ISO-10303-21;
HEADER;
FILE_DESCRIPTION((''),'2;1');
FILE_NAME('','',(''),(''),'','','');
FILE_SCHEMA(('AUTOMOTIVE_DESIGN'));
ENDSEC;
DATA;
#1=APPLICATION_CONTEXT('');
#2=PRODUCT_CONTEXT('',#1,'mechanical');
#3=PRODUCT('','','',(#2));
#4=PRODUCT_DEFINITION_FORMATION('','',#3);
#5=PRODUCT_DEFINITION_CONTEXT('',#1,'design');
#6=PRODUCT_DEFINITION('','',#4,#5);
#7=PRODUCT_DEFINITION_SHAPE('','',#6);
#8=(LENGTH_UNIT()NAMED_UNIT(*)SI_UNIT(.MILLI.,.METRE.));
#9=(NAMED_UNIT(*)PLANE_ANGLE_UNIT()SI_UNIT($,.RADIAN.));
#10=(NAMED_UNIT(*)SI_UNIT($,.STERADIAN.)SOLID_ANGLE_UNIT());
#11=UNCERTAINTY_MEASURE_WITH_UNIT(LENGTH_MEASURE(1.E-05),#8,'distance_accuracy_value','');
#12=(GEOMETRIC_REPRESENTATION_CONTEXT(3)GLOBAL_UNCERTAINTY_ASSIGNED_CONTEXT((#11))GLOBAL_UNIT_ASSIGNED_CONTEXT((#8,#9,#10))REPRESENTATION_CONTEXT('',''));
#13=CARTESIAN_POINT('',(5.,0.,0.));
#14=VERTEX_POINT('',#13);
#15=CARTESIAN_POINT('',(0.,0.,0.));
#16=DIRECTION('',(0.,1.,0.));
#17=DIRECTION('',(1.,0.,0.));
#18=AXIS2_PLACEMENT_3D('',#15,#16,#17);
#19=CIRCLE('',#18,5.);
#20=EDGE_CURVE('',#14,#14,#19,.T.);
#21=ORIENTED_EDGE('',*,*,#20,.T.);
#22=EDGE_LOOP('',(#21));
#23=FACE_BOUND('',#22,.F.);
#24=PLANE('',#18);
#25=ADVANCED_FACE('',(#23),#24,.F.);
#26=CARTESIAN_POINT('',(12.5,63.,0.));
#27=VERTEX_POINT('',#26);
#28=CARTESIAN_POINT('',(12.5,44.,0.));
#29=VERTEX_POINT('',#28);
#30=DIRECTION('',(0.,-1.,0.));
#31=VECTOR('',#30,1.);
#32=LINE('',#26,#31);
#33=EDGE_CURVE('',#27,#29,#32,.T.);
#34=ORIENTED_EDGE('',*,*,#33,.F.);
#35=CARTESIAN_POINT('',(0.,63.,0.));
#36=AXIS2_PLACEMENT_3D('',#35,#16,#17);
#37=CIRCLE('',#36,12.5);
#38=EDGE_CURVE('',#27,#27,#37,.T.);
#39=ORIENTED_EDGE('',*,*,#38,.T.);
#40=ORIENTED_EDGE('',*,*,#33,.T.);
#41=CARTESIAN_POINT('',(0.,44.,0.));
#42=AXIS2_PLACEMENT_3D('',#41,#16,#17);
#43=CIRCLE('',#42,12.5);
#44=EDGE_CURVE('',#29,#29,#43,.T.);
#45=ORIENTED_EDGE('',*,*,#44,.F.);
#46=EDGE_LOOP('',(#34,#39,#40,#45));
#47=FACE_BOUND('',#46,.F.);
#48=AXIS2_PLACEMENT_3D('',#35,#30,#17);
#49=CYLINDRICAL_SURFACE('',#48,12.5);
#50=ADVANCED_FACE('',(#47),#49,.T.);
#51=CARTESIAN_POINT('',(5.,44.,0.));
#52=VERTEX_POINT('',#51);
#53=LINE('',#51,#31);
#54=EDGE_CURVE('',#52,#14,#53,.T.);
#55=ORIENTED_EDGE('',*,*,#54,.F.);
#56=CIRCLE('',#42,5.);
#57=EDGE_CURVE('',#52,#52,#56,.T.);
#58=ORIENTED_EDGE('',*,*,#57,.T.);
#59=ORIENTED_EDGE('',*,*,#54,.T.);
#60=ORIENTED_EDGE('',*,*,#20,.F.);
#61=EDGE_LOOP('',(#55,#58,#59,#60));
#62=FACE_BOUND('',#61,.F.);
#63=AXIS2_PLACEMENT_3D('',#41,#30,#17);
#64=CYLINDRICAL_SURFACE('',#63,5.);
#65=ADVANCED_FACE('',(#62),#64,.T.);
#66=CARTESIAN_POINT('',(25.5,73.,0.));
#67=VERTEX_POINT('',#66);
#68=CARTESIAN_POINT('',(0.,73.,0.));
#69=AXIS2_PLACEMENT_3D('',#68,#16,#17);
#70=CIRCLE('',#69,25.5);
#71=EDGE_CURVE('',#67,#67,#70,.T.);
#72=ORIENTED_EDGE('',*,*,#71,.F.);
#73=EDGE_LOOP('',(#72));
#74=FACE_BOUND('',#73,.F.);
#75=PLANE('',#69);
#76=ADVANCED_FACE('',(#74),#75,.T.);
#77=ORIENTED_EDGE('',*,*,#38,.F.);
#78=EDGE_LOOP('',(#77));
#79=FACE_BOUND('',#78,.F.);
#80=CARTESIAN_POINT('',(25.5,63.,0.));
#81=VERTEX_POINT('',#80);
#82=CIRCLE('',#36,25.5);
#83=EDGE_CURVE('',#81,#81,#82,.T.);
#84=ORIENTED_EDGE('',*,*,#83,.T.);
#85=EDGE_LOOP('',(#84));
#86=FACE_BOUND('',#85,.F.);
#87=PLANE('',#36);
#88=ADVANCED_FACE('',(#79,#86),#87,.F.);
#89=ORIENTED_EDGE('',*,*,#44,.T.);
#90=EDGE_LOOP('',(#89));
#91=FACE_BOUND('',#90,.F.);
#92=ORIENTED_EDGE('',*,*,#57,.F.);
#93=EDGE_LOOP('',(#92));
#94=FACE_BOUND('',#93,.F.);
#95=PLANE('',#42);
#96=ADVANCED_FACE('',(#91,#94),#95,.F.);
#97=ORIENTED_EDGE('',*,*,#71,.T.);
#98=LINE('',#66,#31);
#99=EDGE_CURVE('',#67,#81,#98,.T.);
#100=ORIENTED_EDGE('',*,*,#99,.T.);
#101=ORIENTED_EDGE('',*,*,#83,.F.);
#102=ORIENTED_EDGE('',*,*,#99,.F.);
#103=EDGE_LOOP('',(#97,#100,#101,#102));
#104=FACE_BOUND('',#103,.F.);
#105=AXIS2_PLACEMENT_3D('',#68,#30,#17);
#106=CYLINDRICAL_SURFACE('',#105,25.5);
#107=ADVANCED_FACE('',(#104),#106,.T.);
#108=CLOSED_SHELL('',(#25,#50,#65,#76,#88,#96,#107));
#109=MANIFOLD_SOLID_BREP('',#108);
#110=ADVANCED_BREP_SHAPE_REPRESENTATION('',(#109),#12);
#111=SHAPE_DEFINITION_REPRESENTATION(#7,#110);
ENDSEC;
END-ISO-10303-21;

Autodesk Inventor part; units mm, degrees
ref_plane "YZ Plane" through (0, 0, 0) normal (1, 0, 0) x (0, 1, 0)
ref_plane "XZ Plane" through (0, 0, 0) normal (0, 1, 0) x (-1, 0, 0)
ref_plane "XY Plane" through (0, 0, 0) normal (0, 0, 1) x (1, 0, 0)
sketch "Sketch1" plane through (0, 0, 0) normal (0, 0, 1) x (1, 0, 0)
  line L0 (0, 0) -> (0, 73)
  line L1 (0, 73) -> (25.5, 73)
  line L2 (25.5, 73) -> (25.5, 63)
  line L3 (25.5, 63) -> (12.5, 63)
  line L4 (12.5, 63) -> (12.5, 44)
  line L5 (12.5, 44) -> (5, 44)
  line L6 (5, 44) -> (5, 0)
  line L7 (5, 0) -> (0, 0)
  dimension "d0" = 25.5
  dimension "d1" = 10
  dimension "d2" = 19
  dimension "d3" = 12.5
  dimension "d4" = 44
  dimension "d5" = 5
revolve "Revolution1" add sketch "Sketch1" angle 360 about axis through (0, 0, 0) along (0, 1, 0)
properties part number "Knob"
